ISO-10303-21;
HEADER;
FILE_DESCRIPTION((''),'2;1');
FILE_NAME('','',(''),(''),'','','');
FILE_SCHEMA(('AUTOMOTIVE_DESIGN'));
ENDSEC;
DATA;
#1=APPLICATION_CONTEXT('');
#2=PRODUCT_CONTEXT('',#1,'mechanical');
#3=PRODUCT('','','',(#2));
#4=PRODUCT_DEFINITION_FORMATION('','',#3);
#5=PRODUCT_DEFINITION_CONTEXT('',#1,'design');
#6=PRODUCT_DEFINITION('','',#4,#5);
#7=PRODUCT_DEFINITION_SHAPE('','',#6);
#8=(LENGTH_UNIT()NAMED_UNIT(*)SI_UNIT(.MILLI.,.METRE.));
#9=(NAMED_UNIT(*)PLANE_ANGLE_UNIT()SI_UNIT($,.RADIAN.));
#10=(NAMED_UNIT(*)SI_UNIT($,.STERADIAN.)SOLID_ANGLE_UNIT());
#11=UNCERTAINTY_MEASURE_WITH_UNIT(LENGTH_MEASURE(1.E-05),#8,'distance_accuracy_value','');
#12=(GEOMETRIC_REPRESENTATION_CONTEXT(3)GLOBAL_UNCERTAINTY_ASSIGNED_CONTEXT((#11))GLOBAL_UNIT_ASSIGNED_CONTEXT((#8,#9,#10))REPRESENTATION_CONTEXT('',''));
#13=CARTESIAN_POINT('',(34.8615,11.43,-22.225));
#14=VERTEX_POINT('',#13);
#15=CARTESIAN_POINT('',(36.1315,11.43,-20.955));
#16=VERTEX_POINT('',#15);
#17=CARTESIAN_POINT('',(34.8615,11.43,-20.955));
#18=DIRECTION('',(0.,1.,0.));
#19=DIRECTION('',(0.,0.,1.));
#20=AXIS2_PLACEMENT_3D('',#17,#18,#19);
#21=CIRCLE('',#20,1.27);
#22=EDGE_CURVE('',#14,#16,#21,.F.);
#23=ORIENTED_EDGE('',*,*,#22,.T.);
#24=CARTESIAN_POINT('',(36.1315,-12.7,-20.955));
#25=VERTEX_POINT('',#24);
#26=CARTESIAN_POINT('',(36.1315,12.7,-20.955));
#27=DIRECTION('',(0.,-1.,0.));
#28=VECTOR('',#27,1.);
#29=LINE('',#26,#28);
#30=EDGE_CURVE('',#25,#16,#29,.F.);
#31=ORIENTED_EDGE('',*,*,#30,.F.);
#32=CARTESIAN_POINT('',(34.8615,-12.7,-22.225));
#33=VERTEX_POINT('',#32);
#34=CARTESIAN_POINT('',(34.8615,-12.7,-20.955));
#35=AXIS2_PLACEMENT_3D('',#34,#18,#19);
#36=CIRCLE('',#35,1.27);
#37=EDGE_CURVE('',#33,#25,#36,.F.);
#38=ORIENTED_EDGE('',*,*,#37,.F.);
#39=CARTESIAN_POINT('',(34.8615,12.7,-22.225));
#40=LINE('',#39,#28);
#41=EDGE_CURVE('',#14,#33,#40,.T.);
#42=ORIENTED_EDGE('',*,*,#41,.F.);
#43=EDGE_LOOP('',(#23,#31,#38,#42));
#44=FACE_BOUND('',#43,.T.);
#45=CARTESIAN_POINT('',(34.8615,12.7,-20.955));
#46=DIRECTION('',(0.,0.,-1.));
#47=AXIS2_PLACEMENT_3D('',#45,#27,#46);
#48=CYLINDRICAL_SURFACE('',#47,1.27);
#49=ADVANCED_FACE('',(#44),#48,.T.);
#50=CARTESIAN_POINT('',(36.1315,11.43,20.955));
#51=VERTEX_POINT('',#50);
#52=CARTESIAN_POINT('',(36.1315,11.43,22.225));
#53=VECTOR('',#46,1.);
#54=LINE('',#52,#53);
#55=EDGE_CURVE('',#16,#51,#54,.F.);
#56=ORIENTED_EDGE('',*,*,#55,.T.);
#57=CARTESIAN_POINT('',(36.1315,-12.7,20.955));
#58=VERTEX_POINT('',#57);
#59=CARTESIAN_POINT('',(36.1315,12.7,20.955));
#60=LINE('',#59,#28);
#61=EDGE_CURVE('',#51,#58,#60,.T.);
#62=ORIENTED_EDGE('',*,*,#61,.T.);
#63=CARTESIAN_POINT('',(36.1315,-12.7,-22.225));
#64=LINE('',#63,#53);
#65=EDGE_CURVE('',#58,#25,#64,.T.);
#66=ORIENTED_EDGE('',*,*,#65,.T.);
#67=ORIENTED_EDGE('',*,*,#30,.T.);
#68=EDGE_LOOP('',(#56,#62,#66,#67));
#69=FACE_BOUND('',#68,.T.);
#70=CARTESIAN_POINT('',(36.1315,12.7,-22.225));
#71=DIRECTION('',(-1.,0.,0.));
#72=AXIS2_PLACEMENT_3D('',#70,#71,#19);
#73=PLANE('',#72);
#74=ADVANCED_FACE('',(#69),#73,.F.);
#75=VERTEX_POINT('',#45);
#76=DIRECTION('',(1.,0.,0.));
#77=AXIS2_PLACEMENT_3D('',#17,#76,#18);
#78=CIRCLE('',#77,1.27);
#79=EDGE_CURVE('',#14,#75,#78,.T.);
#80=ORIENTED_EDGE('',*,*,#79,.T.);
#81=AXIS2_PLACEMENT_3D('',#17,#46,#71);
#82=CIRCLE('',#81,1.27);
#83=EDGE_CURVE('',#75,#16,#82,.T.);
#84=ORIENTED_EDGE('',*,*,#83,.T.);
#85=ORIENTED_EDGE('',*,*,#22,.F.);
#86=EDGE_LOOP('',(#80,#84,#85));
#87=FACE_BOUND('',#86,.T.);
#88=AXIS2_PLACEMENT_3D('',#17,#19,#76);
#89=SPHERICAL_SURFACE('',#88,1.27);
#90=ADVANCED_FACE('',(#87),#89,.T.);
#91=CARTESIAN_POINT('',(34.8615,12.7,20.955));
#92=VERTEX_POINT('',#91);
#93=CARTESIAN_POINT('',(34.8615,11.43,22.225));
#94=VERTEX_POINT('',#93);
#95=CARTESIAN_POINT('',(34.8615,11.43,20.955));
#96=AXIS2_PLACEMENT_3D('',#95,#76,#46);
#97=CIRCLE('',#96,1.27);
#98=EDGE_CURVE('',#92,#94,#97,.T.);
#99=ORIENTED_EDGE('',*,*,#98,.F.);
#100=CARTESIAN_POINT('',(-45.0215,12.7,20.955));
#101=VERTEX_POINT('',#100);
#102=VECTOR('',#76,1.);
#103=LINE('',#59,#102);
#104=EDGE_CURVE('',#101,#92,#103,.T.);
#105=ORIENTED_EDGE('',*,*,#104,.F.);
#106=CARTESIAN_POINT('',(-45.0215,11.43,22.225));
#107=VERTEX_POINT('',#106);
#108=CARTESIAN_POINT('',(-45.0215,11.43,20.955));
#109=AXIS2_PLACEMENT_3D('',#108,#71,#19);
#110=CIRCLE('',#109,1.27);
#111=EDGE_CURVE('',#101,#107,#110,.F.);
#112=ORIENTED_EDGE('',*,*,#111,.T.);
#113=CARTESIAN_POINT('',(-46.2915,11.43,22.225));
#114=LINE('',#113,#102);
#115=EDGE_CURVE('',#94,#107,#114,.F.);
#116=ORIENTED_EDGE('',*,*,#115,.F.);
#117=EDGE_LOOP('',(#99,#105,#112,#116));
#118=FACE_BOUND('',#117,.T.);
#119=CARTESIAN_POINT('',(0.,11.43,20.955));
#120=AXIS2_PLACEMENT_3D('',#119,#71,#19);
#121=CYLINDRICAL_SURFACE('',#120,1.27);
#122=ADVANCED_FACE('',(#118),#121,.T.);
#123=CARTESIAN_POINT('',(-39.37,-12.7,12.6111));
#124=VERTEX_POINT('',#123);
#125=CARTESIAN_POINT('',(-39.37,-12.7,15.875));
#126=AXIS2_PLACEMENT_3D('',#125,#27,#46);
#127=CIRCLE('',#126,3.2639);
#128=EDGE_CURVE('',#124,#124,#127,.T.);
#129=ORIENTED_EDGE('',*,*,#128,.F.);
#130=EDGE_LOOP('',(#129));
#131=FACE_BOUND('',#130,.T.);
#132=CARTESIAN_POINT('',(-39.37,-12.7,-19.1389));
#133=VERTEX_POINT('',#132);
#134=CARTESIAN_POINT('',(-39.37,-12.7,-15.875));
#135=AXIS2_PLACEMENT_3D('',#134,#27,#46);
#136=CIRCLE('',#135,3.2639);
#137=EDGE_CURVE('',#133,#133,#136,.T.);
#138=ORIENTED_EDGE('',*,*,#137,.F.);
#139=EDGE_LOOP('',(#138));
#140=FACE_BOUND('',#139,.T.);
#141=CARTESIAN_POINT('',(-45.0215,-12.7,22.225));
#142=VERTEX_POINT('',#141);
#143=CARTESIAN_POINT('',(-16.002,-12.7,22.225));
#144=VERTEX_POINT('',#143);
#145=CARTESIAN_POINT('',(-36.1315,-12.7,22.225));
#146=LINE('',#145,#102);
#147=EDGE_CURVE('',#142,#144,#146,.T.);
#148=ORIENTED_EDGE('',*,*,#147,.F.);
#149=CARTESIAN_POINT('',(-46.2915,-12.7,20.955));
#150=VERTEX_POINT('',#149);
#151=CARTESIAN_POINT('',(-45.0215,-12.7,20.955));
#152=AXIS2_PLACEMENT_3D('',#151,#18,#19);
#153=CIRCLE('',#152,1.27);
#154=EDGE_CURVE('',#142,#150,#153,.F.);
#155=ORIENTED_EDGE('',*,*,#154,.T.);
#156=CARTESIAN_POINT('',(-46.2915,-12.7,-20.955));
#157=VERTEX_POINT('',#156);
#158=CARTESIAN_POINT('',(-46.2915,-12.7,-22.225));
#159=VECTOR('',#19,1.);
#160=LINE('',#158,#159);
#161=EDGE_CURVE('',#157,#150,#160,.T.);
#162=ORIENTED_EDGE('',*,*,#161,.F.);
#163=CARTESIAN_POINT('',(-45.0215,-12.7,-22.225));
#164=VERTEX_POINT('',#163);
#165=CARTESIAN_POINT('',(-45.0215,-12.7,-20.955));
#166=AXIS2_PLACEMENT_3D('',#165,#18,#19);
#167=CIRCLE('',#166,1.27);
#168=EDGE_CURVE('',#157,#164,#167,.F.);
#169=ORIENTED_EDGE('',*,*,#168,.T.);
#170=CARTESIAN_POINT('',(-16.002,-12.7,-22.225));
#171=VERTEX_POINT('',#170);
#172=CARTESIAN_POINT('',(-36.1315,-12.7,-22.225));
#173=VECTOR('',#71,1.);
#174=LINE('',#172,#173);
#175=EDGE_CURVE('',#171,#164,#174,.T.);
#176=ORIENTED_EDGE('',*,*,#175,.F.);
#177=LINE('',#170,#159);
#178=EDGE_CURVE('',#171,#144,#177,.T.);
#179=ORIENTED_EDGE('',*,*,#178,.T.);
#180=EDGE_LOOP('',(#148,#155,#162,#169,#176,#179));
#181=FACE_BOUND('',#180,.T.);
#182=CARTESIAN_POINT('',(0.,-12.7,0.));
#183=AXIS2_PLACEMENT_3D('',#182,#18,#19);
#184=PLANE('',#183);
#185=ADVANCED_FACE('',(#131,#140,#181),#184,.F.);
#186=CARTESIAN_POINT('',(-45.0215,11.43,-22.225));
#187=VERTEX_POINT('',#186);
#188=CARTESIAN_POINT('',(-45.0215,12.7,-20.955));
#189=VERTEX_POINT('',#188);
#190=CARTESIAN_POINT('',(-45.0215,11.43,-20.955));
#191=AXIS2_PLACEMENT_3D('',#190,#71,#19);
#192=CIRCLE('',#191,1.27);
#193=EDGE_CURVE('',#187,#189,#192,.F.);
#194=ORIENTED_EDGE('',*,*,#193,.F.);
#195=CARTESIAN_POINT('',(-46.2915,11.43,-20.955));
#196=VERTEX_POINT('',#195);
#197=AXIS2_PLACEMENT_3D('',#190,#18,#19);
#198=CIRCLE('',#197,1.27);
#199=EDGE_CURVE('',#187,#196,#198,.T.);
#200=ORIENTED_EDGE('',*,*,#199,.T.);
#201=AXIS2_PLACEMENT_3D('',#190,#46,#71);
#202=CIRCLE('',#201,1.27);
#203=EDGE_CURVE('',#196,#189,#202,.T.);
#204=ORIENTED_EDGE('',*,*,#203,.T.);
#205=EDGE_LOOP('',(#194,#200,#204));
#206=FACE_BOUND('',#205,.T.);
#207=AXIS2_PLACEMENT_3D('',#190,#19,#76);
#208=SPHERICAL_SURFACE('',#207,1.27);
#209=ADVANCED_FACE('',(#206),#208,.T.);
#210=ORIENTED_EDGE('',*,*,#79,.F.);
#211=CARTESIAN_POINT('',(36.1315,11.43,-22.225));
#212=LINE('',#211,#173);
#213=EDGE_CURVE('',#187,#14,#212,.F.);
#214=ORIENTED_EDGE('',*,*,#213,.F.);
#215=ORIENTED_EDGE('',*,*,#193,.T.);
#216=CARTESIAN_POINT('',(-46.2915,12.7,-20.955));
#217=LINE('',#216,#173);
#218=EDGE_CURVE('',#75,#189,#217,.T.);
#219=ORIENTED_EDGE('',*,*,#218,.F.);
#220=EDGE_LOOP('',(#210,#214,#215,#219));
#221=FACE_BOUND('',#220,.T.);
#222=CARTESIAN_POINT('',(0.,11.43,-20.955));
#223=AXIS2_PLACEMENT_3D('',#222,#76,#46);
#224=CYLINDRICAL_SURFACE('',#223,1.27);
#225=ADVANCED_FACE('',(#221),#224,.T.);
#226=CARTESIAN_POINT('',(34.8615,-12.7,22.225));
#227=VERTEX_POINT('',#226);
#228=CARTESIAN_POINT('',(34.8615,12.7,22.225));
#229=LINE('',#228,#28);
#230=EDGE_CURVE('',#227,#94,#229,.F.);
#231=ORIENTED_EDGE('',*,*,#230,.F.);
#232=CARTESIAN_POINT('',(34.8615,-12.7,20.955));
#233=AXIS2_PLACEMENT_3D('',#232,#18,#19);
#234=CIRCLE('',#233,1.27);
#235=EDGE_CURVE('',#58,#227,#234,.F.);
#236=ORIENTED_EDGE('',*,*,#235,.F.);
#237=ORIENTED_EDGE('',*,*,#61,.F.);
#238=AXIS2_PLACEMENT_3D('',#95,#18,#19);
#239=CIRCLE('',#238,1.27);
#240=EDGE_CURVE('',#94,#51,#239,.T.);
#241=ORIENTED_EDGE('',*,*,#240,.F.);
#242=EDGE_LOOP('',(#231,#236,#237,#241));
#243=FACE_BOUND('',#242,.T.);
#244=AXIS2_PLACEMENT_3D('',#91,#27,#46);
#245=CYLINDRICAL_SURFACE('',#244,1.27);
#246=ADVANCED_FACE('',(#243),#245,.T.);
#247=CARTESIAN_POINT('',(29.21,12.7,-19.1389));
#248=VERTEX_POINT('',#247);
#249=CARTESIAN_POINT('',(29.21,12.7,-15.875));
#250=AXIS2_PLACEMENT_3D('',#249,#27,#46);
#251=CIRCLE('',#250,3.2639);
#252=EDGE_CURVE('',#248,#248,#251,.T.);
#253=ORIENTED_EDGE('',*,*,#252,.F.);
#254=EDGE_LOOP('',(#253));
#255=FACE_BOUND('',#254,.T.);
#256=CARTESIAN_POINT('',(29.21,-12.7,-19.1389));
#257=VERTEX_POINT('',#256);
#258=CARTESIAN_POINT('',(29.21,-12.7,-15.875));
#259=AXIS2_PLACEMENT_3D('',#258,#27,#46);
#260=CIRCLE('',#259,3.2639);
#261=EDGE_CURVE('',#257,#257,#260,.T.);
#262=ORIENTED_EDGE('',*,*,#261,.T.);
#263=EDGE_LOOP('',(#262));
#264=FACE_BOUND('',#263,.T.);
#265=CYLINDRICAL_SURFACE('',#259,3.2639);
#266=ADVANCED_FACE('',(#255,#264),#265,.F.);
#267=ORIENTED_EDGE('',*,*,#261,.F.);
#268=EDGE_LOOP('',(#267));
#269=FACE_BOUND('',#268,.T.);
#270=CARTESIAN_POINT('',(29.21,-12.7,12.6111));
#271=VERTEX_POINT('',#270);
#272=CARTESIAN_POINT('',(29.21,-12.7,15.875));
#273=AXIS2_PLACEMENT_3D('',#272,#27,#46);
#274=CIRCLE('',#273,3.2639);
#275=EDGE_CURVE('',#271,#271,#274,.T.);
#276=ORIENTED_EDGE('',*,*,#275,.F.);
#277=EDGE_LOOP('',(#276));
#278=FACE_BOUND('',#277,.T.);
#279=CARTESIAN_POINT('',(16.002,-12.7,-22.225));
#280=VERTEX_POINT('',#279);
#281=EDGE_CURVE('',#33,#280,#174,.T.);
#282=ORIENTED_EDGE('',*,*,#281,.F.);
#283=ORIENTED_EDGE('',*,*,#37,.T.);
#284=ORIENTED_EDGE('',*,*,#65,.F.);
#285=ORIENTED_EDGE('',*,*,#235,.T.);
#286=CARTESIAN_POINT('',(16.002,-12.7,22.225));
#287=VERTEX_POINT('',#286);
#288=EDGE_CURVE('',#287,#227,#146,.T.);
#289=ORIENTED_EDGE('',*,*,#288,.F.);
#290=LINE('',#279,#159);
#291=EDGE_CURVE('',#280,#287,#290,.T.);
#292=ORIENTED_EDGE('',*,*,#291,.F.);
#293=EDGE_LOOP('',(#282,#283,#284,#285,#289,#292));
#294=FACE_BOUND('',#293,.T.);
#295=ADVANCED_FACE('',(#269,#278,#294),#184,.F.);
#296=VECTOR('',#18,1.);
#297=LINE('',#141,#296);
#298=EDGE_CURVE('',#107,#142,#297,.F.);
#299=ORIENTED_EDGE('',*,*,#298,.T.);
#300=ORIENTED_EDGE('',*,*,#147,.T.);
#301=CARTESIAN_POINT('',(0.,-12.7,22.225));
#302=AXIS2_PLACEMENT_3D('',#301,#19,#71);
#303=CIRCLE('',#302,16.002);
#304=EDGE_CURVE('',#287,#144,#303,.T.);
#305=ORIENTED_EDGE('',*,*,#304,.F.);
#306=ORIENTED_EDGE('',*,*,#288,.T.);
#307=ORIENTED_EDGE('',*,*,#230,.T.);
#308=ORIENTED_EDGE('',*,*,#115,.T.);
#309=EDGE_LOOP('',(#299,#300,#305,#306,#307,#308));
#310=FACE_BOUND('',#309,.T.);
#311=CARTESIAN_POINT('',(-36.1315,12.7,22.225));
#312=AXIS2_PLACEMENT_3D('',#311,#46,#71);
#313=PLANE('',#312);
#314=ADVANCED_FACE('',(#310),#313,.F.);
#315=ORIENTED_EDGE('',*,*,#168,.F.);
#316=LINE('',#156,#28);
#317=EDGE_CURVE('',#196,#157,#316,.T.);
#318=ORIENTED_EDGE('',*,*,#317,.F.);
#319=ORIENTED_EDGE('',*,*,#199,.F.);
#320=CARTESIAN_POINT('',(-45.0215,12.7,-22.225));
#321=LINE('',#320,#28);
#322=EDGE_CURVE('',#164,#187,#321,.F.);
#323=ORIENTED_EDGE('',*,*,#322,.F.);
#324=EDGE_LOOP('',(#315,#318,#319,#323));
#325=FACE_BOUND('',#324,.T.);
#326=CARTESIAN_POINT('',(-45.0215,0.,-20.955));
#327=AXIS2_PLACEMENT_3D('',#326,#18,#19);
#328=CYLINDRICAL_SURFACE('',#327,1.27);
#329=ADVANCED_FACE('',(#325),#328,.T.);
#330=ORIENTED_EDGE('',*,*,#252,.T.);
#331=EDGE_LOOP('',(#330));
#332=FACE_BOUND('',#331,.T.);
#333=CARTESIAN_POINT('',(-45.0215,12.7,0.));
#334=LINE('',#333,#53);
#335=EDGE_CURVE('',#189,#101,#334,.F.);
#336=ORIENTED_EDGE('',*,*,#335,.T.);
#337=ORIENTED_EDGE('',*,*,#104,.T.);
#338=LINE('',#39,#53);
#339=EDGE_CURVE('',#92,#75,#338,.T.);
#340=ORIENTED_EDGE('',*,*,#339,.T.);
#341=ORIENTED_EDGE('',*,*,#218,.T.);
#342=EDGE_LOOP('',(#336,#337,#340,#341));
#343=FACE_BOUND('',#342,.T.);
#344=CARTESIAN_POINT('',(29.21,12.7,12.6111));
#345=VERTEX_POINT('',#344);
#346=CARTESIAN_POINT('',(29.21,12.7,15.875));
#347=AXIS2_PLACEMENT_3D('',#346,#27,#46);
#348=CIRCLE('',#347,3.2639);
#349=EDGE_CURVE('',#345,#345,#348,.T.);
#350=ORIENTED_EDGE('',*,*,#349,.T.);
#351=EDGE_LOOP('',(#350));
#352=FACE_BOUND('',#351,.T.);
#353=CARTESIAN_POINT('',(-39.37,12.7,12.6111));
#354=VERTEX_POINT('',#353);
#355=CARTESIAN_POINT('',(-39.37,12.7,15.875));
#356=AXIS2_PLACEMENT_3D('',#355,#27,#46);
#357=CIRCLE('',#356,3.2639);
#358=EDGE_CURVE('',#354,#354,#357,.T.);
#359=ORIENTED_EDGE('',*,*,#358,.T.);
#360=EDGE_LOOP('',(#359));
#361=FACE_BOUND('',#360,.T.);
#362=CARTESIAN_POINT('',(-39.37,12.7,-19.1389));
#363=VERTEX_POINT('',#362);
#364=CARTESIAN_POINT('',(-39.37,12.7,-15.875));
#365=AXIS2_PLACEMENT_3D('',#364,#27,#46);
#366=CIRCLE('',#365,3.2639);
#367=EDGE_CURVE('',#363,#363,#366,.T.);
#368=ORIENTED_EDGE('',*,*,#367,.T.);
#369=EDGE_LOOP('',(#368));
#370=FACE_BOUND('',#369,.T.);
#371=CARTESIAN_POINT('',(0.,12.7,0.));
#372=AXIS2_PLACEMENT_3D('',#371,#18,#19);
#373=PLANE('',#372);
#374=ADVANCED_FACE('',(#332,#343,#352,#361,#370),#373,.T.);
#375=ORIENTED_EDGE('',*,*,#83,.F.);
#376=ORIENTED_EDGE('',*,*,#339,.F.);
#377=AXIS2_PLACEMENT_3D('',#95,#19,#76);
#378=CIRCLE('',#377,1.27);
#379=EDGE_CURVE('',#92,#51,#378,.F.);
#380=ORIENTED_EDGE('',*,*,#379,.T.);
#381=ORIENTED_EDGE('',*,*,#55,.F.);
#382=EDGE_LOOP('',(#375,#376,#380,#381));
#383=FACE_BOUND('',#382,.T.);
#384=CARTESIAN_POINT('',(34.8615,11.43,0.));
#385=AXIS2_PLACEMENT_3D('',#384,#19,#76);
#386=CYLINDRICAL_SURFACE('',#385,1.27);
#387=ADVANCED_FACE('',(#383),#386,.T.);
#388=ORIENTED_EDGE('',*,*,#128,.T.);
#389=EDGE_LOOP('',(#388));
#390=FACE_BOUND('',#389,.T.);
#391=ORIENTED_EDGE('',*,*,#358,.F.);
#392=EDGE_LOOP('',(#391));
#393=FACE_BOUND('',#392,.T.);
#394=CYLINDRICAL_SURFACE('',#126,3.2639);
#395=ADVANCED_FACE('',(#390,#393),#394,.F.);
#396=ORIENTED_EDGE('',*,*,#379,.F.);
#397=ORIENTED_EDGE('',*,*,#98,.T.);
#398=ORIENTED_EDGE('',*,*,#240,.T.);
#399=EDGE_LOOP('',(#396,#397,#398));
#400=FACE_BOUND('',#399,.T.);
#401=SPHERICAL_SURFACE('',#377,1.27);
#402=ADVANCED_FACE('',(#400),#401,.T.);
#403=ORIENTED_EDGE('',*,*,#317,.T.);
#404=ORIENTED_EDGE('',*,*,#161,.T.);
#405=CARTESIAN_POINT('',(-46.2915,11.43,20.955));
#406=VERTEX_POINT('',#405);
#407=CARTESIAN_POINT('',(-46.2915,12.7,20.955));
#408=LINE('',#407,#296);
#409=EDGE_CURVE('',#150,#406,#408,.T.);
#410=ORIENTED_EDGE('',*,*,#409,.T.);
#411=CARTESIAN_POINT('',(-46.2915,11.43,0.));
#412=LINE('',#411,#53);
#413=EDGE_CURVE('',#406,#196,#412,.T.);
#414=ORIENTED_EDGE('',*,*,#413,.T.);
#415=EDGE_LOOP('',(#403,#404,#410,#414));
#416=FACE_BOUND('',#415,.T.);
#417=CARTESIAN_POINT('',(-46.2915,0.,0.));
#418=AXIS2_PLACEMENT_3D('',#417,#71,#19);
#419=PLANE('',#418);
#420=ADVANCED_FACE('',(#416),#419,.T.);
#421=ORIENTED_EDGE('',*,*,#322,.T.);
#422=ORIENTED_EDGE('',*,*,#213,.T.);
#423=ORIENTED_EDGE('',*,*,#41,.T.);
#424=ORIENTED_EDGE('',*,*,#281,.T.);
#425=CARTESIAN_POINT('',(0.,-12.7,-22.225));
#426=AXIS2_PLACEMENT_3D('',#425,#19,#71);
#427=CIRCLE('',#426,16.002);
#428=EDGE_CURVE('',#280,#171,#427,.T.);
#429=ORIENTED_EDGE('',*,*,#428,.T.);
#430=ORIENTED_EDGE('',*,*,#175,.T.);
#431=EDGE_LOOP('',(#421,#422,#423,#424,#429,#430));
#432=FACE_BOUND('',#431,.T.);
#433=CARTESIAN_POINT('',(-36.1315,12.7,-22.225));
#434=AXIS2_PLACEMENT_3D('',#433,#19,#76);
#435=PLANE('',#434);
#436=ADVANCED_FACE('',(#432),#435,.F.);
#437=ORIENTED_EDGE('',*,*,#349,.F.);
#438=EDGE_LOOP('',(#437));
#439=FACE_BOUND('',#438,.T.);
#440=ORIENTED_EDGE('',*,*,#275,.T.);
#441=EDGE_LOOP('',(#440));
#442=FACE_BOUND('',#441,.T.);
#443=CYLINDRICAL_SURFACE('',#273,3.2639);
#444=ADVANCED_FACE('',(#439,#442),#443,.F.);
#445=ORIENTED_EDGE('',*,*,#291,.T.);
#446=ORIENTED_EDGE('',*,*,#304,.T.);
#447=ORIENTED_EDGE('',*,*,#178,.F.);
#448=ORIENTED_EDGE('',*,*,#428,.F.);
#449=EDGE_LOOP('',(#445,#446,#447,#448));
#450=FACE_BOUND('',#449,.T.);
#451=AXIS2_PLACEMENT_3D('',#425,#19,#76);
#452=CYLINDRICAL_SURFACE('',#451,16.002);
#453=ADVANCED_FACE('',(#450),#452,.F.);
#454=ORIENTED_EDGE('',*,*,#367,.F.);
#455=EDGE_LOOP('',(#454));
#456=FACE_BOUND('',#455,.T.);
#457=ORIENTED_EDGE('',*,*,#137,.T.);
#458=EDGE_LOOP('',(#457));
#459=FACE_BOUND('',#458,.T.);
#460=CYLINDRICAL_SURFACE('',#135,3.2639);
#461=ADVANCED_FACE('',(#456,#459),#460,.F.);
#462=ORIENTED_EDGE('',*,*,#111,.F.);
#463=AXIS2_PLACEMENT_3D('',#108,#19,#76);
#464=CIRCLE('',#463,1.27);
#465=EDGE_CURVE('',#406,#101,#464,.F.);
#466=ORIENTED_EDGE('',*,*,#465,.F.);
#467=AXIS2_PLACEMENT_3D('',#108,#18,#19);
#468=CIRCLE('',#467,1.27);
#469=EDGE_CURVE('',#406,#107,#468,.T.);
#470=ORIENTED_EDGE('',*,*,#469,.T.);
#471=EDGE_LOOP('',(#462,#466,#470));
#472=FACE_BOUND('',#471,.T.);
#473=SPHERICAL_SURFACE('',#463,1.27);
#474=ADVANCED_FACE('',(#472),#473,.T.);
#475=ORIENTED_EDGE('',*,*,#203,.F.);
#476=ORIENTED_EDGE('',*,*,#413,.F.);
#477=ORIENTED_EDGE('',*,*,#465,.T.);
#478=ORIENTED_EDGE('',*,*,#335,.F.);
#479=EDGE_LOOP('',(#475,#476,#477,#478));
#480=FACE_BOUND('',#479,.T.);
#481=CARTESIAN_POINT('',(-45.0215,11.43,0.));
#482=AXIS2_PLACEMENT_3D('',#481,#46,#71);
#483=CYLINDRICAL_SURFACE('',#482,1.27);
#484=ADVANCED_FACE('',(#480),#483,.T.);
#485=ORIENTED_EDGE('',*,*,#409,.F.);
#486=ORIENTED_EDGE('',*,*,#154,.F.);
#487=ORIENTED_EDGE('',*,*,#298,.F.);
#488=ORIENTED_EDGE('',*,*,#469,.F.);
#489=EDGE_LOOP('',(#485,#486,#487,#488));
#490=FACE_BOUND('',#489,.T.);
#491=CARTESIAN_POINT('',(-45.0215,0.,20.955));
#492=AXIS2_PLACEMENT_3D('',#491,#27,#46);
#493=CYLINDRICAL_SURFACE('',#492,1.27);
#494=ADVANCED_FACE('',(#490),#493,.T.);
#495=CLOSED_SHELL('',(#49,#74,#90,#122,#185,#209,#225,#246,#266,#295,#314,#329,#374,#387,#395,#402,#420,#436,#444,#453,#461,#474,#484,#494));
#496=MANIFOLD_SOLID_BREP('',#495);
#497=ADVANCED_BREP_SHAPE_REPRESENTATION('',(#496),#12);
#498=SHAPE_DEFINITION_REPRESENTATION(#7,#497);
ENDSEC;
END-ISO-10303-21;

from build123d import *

# Parameters (mm, degrees)
SKETCH1_W               = 72.263
SKETCH1_H               = 44.45
BOSS_EXTRUDE1_DEPTH     = 12.7
CUT_EXTRUDE1_DEPTH      = 59.673484576
SKETCH3_W               = 44.45
SKETCH3_H               = 25.4
BOSS_EXTRUDE2_DEPTH     = 10.16
F_1_4_CLEARANCE_HOLE1_D = 6.5278
FILLET8_R               = 1.27


with BuildPart() as part:
    # Sketch1 → Boss-Extrude1 (new, symmetric)
    with BuildSketch(Plane(origin=(0, 0, 0), x_dir=(1, 0, 0), z_dir=(0, 1, 0))):
        Rectangle(SKETCH1_W, SKETCH1_H)
    extrude(amount=BOSS_EXTRUDE1_DEPTH, both=True)

    # Sketch2 → Cut-Extrude1 (cut, through all)
    with BuildSketch(Plane.XY.offset(22.225)):
        with BuildLine():
            Line((-16.002, -12.7), (16.002, -12.7))
            ThreePointArc((16.002, -12.7), (0, 3.302), (-16.002, -12.7))
        make_face()
    extrude(amount=-CUT_EXTRUDE1_DEPTH, mode=Mode.SUBTRACT)

    # Sketch3 → Boss-Extrude2 (add)
    with BuildSketch(Plane.ZY.offset(36.1315)):
        Rectangle(SKETCH3_W, SKETCH3_H)
    extrude(amount=BOSS_EXTRUDE2_DEPTH)

    # 1/4 Clearance Hole1 (through all)
    with Locations(Plane(origin=(-39.37, -12.7, 15.875), x_dir=(0, 0, -1), z_dir=(0, -1, 0))):
        with Locations((0, 0), (0, 68.58), (31.75, 68.58), (31.75, 0)):
            Hole(F_1_4_CLEARANCE_HOLE1_D / 2)

    # Fillet8
    fillet8_edges = [part.edges().sort_by_distance(p)[0] for p in [
        (-5.08, 12.7, 22.225),
        (-46.2915, 0, -22.225),
        (-46.2915, 0, 22.225),
        (-46.2915, 12.7, 0),
        (36.1315, 12.7, 0),
        (-5.08, 12.7, -22.225),
        (36.1315, 0, 22.225),
        (36.1315, 0, -22.225),
    ]]
    fillet(fillet8_edges, radius=FILLET8_R)


solid = part.part
